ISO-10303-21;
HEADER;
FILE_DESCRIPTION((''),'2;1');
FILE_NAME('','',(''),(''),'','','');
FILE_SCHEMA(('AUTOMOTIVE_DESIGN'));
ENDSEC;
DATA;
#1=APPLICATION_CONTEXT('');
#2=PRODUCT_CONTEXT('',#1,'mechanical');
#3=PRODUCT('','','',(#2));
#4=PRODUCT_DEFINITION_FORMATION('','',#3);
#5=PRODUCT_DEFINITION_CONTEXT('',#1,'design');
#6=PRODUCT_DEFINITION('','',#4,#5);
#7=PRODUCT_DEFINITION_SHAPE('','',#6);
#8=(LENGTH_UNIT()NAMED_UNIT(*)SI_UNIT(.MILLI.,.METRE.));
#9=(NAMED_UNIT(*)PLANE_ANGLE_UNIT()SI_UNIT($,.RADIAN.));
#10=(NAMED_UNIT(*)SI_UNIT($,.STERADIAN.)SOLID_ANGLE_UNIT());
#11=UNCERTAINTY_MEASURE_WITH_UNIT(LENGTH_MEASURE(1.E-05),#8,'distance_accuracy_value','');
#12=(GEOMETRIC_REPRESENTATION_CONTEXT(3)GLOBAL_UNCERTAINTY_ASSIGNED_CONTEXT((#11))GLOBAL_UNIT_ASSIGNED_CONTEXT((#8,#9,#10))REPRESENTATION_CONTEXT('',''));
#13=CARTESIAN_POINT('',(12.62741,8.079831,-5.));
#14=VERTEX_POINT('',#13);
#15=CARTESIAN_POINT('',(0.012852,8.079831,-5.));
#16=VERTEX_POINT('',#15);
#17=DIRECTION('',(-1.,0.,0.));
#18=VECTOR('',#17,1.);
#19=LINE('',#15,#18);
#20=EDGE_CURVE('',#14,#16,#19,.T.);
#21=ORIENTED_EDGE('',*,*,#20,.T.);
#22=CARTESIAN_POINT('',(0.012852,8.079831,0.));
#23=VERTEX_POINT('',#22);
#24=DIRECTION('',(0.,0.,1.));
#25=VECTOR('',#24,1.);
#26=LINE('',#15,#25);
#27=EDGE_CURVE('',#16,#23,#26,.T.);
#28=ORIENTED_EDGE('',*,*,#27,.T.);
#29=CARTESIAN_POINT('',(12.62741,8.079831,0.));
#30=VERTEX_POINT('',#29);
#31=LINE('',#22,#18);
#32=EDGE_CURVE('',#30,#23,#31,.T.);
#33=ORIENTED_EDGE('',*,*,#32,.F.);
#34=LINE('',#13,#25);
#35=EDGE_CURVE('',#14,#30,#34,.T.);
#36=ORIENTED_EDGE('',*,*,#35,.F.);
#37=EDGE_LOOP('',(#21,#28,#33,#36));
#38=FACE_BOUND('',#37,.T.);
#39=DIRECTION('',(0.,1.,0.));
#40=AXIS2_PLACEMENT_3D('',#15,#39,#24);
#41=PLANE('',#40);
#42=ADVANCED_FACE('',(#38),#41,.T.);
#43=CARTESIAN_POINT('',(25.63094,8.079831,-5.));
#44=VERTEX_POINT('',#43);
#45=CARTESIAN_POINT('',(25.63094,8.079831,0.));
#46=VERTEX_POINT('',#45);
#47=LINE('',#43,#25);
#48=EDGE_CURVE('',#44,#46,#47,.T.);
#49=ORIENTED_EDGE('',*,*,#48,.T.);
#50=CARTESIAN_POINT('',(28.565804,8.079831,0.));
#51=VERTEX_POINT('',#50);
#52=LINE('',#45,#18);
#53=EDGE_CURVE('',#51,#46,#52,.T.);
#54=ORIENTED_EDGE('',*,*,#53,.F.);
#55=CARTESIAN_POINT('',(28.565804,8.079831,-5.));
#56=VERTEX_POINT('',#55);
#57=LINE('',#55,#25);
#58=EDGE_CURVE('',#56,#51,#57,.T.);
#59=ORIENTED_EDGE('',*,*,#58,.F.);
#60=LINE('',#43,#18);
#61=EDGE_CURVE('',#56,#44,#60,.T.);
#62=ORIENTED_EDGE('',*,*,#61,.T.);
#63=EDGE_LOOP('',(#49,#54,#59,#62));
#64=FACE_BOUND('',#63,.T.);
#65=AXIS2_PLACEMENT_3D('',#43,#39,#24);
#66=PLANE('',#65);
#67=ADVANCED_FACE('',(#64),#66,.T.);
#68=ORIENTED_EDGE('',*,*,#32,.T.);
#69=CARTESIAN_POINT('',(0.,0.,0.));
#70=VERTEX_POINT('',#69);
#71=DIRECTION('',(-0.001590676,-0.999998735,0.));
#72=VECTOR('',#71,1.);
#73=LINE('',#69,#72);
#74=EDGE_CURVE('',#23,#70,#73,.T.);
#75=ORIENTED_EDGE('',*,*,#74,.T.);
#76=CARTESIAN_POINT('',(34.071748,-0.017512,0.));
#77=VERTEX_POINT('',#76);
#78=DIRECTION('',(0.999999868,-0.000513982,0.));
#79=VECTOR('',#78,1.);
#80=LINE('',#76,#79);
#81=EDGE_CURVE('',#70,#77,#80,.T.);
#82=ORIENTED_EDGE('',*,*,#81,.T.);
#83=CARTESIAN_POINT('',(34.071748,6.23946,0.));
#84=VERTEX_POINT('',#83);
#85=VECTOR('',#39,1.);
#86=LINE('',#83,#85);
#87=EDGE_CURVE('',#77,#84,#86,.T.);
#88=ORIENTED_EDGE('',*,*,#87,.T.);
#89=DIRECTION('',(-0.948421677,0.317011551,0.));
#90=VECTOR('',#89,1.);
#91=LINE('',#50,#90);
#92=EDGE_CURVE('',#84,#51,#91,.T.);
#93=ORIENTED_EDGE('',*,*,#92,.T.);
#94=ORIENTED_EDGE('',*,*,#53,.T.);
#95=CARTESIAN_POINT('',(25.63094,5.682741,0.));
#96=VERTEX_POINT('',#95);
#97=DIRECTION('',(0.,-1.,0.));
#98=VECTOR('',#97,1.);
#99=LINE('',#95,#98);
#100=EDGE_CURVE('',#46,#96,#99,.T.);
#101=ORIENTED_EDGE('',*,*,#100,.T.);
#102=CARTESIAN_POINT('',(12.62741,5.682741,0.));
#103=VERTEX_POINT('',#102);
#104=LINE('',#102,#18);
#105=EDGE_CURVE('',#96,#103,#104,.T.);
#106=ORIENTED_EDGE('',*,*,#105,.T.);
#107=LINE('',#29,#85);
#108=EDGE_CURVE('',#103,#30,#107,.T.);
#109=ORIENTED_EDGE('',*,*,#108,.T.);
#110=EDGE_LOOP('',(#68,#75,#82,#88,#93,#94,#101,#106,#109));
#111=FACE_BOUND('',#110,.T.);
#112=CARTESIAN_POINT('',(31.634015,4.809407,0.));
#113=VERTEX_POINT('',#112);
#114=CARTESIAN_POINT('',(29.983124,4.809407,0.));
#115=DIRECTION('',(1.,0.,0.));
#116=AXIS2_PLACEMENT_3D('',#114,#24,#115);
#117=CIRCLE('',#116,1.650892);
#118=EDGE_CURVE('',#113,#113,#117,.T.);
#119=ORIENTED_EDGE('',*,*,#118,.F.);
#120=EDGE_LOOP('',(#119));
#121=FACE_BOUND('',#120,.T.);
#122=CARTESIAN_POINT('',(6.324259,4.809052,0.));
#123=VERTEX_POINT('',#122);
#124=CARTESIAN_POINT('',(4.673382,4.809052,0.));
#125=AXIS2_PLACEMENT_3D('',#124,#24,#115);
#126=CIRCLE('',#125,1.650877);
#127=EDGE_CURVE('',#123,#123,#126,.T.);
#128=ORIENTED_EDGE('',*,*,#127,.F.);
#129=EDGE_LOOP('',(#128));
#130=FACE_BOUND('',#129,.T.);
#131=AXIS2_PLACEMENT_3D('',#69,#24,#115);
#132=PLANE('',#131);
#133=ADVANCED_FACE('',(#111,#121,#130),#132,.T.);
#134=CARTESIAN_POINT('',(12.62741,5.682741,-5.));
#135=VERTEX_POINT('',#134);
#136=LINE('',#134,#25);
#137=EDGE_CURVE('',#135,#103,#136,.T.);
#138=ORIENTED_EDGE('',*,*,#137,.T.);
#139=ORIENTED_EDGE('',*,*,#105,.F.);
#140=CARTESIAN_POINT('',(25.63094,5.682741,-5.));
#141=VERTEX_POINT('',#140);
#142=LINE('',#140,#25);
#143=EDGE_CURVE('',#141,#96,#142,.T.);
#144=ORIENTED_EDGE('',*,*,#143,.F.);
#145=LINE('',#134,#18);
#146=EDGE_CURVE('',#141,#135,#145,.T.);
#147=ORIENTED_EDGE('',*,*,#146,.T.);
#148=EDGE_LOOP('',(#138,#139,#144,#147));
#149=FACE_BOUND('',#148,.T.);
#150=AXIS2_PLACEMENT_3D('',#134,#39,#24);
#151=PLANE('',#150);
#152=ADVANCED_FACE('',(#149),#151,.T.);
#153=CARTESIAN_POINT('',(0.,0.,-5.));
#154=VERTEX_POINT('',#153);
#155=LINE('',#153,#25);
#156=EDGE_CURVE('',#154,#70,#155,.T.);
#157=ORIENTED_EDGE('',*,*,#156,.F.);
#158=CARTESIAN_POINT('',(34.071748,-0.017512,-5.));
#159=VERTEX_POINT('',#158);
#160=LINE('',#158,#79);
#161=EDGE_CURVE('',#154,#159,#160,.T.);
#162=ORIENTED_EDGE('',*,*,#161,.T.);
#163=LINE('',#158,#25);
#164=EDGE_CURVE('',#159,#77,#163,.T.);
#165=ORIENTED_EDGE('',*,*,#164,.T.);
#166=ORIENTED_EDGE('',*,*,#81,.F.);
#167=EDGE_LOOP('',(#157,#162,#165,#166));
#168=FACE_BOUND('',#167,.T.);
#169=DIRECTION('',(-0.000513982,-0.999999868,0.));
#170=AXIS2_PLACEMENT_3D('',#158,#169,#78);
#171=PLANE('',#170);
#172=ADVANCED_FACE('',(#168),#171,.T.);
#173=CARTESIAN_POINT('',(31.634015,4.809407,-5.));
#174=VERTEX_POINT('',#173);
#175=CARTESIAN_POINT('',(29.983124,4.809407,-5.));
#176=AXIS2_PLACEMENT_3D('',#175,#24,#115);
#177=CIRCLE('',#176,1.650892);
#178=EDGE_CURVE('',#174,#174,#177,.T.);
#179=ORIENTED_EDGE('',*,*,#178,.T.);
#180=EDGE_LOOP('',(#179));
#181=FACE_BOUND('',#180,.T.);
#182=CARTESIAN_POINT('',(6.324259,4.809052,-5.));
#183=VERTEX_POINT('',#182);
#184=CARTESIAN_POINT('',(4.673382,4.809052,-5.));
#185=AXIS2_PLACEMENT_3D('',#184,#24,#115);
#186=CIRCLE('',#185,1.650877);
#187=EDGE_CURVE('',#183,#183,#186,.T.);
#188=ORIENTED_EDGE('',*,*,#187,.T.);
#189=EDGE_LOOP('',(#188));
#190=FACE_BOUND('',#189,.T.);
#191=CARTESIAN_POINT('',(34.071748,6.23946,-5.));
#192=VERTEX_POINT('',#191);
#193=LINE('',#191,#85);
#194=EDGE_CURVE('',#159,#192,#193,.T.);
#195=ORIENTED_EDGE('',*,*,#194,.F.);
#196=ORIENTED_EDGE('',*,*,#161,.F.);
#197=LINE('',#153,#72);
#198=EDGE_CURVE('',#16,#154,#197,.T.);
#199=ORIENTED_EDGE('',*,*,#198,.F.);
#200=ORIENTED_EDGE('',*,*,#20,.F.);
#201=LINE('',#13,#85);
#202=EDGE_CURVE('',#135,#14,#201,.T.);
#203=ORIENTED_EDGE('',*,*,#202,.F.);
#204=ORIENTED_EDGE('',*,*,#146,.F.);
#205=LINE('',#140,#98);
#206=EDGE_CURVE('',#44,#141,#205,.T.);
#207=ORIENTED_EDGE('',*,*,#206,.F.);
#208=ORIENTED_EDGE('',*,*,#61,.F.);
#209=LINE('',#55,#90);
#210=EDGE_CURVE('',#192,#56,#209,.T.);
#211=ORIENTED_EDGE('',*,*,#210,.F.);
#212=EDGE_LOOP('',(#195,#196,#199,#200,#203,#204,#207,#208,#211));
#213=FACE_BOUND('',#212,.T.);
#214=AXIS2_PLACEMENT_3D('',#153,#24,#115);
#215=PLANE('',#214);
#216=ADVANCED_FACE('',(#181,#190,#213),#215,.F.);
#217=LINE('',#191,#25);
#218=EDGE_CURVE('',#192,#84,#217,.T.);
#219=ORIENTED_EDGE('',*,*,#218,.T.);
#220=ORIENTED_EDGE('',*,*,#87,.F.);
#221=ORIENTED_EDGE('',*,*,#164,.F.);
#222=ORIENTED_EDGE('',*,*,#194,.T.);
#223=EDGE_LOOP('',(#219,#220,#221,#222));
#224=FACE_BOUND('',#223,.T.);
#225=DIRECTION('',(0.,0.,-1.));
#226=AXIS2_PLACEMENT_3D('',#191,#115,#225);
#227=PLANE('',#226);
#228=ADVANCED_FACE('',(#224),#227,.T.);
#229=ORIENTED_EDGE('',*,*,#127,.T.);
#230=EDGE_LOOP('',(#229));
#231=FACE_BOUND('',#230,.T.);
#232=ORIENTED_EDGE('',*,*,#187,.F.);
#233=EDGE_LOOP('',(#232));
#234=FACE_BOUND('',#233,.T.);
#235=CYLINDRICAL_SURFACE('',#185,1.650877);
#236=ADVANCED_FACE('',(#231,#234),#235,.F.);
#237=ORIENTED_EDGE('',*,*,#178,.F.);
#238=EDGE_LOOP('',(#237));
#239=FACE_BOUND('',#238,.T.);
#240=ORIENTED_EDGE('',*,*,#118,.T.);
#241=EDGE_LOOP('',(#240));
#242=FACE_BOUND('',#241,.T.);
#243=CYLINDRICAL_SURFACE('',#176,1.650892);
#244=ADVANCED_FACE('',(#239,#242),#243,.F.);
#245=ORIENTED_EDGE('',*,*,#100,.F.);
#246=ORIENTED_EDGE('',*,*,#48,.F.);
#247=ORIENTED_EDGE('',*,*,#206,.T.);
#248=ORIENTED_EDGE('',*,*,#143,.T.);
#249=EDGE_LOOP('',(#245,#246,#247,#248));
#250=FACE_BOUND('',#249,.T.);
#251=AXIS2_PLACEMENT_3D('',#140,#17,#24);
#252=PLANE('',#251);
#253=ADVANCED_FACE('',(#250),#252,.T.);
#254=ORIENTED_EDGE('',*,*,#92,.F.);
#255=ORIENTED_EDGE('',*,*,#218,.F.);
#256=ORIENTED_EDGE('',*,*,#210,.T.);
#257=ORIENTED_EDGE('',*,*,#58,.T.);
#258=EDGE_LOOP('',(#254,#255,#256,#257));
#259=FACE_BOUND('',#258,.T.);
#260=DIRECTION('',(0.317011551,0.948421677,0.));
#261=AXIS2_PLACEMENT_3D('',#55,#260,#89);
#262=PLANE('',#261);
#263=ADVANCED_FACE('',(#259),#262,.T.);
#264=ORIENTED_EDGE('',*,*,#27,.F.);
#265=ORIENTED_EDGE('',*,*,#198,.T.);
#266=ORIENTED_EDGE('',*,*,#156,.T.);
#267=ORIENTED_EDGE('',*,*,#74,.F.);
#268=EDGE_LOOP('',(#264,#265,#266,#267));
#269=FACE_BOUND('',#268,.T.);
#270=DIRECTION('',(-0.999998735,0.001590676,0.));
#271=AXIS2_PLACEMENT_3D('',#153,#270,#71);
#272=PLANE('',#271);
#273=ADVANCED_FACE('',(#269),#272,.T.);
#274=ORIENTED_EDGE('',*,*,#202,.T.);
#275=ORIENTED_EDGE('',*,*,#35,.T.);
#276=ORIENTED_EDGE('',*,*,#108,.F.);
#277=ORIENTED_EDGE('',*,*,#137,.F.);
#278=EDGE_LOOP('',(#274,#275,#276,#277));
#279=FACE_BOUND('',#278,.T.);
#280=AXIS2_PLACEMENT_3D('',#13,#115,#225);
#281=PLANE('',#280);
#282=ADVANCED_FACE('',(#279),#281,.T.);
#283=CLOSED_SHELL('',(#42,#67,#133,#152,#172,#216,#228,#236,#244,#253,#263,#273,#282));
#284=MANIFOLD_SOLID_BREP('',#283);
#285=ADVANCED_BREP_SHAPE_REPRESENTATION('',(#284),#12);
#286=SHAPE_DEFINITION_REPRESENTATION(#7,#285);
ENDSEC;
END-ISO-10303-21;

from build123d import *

# Parameters (mm, degrees)
BOSS_EXTRUDE1_DEPTH = 5
HOLES_R             = 1.650876527
HOLES_R_2           = 1.650891558
CUT_EXTRUDE1_DEPTH  = 36.37184843


with BuildPart() as part:
    # outline → Boss-Extrude1 (new body)
    with BuildSketch(Plane.XY):
        Polygon((0.012852413, 8.079831137), (12.627409632, 8.079831137), (12.627409632, 5.682741476), (25.630939629, 5.682741476), (25.630939629, 8.079831137), (28.565803795, 8.079831137), (34.071747683, 6.239460073), (34.071747683, -0.017512268), (0, 0), align=None)
    extrude(amount=-BOSS_EXTRUDE1_DEPTH)

    # holes → Cut-Extrude1 (cut, through all)
    with BuildSketch(Plane.XY):
        with Locations((4.673381995, 4.809052053)):
            Circle(HOLES_R)
        with Locations((29.983123795, 4.809407398)):
            Circle(HOLES_R_2)
    extrude(amount=-CUT_EXTRUDE1_DEPTH, mode=Mode.SUBTRACT)


solid = part.part
